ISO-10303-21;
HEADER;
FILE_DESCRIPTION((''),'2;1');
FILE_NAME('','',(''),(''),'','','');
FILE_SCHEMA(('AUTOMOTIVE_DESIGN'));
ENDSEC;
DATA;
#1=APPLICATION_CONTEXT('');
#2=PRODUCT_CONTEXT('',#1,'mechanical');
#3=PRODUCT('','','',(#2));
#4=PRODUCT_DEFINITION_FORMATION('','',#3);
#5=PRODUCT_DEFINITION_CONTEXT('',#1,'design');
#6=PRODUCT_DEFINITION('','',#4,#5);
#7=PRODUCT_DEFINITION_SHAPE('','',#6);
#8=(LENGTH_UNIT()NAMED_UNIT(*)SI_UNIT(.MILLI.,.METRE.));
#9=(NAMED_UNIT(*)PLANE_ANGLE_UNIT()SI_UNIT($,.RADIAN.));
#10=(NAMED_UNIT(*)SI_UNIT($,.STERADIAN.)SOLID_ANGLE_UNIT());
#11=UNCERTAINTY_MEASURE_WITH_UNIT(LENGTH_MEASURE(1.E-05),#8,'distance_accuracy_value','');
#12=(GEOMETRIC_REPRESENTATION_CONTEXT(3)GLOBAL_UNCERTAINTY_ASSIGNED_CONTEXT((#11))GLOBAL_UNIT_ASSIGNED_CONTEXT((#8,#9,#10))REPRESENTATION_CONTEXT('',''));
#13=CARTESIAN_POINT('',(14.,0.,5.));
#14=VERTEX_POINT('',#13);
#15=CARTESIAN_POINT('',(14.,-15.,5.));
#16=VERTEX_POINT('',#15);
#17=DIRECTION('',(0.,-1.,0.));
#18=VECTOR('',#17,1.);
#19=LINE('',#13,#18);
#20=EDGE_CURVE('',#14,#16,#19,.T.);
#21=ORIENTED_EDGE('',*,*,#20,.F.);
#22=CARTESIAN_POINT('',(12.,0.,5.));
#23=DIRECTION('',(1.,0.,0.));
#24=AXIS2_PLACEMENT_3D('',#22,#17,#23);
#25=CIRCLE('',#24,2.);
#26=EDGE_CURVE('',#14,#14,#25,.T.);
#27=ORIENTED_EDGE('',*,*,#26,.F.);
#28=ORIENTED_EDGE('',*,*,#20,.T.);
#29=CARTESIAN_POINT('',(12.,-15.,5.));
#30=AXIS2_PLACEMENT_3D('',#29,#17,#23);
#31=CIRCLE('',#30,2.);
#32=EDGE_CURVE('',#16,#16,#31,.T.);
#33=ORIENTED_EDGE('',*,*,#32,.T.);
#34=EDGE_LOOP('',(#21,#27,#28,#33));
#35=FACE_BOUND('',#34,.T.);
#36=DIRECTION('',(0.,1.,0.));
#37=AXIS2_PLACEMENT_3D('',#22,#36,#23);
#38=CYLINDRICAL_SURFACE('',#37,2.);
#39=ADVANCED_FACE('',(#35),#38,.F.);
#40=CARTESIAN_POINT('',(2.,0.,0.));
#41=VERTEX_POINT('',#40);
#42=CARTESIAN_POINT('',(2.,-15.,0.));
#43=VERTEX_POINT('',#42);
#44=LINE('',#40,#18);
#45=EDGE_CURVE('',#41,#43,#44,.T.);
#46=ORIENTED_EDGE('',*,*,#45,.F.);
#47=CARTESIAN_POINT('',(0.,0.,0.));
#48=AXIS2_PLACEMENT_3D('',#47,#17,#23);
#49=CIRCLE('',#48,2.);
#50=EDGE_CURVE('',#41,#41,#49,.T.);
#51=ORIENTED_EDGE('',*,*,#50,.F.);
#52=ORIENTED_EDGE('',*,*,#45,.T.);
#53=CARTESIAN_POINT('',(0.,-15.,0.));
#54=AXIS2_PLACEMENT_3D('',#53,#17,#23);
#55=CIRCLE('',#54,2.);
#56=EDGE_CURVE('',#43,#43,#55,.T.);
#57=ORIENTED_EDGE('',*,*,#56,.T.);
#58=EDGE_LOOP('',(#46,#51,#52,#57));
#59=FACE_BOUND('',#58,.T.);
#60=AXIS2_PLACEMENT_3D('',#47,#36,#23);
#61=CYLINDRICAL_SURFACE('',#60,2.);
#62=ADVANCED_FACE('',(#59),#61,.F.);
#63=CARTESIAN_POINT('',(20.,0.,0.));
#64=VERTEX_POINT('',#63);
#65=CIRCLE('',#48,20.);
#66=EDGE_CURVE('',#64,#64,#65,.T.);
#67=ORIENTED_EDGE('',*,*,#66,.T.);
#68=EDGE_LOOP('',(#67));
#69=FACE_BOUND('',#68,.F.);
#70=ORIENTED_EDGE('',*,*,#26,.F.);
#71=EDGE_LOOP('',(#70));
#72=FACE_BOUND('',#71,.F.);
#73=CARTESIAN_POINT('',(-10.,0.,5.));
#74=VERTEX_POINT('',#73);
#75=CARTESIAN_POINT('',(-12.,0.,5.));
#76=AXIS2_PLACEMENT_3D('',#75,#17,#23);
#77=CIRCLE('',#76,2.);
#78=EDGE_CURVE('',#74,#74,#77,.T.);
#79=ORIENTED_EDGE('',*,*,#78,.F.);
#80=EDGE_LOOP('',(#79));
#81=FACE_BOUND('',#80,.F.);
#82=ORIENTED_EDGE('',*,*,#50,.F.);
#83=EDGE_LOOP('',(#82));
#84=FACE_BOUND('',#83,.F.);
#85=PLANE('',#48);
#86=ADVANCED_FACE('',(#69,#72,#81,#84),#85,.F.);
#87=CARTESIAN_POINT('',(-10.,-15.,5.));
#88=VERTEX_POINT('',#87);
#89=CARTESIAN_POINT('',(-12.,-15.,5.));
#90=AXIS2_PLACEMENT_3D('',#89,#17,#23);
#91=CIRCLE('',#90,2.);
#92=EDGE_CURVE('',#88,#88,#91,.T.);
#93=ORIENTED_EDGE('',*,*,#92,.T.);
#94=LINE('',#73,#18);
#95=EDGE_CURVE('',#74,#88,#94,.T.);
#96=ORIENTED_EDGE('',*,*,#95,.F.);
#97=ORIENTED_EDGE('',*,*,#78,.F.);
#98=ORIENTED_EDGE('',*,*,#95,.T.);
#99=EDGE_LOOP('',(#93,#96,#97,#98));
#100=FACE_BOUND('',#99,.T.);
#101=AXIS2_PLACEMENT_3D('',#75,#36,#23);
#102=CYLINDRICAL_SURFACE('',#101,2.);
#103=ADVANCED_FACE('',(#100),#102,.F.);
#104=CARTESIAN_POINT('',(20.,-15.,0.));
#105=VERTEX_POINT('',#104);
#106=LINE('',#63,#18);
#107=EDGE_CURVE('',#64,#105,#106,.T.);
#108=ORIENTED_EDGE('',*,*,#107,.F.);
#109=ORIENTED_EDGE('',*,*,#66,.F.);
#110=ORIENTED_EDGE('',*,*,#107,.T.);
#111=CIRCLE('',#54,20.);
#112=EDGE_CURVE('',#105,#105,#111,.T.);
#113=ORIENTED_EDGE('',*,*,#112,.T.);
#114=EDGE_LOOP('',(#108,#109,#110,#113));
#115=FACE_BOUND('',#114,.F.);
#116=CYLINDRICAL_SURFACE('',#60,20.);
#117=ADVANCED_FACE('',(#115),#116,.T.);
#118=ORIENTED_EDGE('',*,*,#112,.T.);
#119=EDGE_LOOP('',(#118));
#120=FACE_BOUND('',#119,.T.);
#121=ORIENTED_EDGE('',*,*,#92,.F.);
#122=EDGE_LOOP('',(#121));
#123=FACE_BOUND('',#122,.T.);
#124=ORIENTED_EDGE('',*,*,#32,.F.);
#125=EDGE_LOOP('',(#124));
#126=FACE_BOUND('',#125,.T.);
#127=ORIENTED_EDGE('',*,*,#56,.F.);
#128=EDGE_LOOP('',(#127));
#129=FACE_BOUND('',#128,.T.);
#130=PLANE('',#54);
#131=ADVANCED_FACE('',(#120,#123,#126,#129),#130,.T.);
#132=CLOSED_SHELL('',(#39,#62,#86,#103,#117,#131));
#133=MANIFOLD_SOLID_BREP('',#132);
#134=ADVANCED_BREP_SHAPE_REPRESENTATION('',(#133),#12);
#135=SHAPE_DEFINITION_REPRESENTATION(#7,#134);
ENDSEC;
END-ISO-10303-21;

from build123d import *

# Parameters (mm, degrees)
F0_R     = 20
F0_R_2   = 2
F1_DEPTH = 15


with BuildPart() as f1:
    # F0 (on Front) → F1 (new body)
    with BuildSketch(Plane.XZ):
        Circle(F0_R)
        with Locations((-12, 5)):
            Circle(F0_R_2, mode=Mode.SUBTRACT)
        Circle(F0_R_2, mode=Mode.SUBTRACT)
        with Locations((12, 5)):
            Circle(F0_R_2, mode=Mode.SUBTRACT)
    extrude(amount=F1_DEPTH)


solid = f1.part
